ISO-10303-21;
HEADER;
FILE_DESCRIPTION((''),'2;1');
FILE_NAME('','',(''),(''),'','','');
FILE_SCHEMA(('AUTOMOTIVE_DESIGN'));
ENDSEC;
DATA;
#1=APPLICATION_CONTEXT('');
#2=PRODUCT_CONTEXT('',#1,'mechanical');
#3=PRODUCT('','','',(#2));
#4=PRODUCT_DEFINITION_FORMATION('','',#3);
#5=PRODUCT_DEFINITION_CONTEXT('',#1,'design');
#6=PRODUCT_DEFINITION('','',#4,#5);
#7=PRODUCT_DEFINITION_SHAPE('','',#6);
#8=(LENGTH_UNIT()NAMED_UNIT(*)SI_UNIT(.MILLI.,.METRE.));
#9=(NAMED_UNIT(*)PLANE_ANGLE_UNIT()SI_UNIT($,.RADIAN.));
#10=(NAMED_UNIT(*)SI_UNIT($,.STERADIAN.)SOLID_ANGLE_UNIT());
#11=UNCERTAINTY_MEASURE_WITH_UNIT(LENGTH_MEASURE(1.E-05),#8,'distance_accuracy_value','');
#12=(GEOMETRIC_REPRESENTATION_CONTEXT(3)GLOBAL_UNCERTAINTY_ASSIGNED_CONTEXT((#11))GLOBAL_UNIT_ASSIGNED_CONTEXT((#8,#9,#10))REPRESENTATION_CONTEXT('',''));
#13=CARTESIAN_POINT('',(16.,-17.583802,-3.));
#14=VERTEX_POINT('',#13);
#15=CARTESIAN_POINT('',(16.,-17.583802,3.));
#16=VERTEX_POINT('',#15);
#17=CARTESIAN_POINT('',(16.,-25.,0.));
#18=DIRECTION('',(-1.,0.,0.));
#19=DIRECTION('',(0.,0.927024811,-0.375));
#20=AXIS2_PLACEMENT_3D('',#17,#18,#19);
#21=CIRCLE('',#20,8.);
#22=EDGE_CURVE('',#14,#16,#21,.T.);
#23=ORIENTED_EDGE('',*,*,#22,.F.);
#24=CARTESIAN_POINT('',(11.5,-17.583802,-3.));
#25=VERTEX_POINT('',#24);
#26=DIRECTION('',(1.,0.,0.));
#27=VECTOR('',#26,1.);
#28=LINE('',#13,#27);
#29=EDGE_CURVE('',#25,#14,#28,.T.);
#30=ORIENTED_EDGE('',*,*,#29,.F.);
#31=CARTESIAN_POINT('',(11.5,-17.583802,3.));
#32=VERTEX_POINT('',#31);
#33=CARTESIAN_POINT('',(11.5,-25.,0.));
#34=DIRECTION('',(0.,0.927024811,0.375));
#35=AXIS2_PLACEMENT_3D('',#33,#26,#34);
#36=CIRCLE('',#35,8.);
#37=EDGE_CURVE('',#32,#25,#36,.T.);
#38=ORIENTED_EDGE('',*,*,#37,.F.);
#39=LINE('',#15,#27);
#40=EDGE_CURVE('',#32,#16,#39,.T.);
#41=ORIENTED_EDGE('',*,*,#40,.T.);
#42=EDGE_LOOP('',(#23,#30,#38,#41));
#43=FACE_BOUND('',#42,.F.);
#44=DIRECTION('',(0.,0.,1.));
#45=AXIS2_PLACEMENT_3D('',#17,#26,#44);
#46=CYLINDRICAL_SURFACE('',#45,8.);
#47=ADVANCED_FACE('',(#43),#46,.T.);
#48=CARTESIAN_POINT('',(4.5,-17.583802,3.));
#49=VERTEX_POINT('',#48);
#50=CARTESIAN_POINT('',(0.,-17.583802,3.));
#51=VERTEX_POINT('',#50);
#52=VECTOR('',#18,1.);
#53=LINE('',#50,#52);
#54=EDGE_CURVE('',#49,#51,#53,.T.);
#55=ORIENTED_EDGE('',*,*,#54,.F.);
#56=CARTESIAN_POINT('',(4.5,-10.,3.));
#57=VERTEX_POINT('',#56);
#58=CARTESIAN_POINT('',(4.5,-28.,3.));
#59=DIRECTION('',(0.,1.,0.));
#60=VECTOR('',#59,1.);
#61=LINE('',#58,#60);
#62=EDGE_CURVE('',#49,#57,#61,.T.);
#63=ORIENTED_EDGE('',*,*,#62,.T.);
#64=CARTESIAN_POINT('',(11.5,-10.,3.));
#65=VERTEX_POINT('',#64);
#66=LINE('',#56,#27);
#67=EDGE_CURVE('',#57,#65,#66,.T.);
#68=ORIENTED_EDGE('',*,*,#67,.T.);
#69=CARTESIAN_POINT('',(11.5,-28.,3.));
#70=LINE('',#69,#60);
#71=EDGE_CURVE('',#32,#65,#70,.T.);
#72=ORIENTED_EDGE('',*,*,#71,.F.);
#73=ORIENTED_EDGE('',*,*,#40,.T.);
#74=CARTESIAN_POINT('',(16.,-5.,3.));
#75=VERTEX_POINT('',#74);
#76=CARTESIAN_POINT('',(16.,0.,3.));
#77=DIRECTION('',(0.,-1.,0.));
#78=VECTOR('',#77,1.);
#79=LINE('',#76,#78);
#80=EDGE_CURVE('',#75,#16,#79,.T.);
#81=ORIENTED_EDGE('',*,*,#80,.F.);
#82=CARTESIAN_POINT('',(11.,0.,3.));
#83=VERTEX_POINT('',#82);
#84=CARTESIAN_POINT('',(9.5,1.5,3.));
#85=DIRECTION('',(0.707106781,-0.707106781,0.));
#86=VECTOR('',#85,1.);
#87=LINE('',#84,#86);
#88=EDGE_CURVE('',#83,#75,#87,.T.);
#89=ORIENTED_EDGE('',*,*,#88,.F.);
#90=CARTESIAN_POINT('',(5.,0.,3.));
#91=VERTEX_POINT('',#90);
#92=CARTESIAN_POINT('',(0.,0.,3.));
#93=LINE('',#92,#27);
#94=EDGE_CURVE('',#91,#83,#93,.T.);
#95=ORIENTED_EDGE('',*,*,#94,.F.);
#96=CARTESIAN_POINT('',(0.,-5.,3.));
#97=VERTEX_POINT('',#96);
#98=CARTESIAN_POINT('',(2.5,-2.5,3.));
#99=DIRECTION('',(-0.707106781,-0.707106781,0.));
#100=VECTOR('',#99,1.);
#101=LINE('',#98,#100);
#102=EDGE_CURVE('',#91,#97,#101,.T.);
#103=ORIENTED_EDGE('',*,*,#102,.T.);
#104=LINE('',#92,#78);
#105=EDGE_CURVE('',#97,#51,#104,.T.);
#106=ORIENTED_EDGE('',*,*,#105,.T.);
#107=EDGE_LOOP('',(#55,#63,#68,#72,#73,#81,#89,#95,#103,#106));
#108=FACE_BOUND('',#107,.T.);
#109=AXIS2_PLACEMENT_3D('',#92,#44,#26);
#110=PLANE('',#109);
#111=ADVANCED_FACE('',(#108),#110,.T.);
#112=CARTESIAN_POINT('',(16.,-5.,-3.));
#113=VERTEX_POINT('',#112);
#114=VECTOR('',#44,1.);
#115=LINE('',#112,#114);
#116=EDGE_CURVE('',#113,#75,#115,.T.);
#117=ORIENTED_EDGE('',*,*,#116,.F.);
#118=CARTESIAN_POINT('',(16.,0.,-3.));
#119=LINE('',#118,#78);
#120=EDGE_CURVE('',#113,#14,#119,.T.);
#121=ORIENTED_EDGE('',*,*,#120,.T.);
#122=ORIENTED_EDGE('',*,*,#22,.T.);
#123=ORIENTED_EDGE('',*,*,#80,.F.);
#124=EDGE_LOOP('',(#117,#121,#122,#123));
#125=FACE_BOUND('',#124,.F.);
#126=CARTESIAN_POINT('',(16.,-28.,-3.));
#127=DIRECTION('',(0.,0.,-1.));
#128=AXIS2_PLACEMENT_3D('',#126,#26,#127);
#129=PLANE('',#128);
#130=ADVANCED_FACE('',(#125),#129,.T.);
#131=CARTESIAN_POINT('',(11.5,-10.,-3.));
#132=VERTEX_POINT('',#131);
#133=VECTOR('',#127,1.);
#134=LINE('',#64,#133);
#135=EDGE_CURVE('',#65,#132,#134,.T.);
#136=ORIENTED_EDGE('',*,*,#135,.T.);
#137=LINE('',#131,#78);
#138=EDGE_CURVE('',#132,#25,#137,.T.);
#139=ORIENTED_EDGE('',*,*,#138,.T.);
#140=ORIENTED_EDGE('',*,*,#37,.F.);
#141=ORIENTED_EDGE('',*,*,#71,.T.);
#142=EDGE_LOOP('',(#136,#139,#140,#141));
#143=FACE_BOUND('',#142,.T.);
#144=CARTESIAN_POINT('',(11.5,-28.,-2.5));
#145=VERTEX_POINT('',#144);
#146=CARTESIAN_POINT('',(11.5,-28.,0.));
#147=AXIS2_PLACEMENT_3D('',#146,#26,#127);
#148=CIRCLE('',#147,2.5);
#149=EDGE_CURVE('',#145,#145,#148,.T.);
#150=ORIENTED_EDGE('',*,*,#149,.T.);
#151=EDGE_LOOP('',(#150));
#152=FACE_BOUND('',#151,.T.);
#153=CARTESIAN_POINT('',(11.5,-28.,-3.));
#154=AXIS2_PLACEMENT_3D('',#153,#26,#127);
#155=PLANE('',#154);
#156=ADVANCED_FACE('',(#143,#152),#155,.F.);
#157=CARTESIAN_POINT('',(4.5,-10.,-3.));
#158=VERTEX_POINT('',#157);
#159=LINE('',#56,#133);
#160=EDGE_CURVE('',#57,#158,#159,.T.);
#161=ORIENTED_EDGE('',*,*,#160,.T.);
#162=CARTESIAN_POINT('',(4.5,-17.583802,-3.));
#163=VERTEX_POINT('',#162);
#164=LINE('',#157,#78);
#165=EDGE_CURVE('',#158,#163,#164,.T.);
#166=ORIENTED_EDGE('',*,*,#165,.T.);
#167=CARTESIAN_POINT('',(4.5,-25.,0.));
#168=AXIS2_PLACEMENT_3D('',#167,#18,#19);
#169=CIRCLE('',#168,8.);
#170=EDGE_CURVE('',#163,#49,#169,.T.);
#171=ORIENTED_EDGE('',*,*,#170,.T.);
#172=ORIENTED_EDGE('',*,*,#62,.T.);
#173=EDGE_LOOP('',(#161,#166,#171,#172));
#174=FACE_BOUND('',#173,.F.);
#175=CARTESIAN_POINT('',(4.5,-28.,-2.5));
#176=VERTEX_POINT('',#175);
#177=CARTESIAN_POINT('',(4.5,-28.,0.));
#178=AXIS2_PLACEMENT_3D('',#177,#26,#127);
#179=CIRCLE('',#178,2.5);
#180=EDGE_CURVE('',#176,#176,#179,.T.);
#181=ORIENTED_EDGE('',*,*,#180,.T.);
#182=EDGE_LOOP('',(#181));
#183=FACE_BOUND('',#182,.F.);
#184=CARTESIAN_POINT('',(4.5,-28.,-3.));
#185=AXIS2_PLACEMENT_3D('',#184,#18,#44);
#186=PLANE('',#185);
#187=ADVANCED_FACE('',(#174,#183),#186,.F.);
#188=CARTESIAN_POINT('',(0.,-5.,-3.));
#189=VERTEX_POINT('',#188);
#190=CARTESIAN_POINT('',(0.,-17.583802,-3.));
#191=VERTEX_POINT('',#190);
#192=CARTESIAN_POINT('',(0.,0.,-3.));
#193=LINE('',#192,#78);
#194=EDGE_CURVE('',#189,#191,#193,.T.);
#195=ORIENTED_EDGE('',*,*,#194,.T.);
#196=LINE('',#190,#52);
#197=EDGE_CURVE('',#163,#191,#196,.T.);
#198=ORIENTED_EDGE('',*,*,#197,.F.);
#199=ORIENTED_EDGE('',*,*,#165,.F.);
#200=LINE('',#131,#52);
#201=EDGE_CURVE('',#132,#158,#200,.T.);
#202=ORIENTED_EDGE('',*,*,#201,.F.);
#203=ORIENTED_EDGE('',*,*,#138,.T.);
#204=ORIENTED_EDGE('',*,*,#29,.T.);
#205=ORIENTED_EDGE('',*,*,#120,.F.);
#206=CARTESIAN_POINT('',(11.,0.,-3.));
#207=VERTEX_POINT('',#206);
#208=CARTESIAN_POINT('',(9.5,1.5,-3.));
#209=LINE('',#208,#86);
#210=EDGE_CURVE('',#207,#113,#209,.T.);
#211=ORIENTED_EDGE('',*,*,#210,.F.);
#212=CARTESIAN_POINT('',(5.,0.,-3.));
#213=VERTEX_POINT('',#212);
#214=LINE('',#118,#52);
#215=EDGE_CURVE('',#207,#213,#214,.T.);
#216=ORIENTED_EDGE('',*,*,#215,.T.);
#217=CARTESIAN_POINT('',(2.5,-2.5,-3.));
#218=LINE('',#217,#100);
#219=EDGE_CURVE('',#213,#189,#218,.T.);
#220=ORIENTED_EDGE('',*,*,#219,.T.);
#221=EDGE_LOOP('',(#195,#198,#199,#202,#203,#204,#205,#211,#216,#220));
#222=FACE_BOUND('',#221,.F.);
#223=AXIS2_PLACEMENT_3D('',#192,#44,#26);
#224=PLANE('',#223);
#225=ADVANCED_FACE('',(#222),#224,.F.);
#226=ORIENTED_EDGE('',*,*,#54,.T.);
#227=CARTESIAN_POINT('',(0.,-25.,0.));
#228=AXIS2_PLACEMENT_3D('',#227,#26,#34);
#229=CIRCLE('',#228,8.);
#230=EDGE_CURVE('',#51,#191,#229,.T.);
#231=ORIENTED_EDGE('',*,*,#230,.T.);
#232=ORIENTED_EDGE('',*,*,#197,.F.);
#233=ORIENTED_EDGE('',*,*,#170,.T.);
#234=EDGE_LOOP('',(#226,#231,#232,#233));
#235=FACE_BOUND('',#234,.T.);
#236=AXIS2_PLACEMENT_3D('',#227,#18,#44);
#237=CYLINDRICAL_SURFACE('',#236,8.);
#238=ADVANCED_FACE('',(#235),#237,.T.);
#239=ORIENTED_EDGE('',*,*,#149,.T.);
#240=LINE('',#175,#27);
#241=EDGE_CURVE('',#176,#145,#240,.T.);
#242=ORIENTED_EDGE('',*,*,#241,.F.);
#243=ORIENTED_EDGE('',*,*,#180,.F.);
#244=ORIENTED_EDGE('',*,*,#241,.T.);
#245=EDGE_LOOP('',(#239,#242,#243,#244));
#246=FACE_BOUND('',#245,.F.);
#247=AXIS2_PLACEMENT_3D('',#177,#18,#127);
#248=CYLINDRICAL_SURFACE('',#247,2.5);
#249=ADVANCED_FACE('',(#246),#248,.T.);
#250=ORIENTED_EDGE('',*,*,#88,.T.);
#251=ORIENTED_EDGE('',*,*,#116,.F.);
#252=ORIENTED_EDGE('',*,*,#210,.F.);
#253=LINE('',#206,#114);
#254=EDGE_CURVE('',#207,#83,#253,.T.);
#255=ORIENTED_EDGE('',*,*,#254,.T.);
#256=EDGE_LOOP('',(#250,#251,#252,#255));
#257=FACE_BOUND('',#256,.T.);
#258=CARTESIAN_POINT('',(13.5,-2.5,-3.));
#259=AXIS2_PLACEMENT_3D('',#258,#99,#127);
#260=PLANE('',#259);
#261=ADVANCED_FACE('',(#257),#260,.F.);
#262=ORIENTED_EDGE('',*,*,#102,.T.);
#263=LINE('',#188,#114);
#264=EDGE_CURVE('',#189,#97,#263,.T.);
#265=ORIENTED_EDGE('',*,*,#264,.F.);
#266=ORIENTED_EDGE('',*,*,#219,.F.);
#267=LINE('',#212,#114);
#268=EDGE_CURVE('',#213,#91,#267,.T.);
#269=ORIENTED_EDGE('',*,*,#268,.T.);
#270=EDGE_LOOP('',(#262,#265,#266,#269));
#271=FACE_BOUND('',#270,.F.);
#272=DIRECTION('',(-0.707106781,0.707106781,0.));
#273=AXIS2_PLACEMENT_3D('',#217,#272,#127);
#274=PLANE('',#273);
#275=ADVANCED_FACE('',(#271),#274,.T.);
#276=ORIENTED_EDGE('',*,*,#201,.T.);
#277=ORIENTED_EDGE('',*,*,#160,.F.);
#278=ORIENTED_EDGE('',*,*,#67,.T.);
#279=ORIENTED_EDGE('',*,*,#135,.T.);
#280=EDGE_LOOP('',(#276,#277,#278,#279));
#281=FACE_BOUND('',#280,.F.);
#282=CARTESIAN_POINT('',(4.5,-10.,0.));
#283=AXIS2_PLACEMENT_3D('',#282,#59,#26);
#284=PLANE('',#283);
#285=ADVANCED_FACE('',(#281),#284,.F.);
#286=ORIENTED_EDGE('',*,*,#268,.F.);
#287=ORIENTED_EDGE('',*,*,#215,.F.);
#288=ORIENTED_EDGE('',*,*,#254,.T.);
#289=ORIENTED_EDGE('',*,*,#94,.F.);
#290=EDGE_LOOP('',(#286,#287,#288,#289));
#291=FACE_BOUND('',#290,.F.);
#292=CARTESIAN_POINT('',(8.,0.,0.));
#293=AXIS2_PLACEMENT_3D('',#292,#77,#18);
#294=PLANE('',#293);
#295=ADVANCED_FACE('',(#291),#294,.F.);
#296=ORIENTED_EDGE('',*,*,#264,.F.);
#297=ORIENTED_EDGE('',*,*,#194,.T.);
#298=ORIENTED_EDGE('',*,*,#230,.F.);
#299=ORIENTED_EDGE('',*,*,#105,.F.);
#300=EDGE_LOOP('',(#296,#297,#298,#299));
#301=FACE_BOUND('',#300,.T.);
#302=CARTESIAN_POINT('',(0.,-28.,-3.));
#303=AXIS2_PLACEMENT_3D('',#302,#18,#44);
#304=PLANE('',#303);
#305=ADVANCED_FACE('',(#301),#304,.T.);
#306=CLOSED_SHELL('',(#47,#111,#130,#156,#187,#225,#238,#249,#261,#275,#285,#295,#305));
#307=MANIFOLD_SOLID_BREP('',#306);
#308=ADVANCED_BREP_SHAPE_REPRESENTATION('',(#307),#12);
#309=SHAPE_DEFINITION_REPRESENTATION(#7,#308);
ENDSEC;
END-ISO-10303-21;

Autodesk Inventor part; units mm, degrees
ref_plane "YZ Plane" through (0, 0, 0) normal (1, 0, 0) x (0, 1, 0)
ref_plane "XZ Plane" through (0, 0, 0) normal (0, 1, 0) x (-1, 0, 0)
sketch "스케치1" plane through (0, 0, 0) normal (0, 0, 1) x (1, 0, 0)
  line L0 (0, 0) -> (0, -28)
  line L1 (0, -28) -> (4.5, -28)
  line L2 (4.5, -26.5) -> (4.5, -10)
  line L3 (4.5, -10) -> (8, -10)
  line L4 (8, -10) -> (8, 0)
  line L5 (8, 0) -> (0, 0)
  line L6 (4.5, -28) -> (4.5, -26.5)
  dimension "d0" = 28
  dimension "d1" = 10
  dimension "d6" = 8
extrude "돌출1" add sketch "스케치1" along normal mid plane 6
mirror "미러1" about plane through (8, -10, 0) normal (1, 0, 0) of "돌출1"
chamfer "모따기1" distance 5 angle 45 1 edges at (0, 0, 0)
chamfer "모따기2" distance 5 angle 45 1 edges at (16, 0, 0)
sketch "스케치2" plane through (0, -28, -3) normal (-1, 0, 0) x (0, 0, 1)
  circle A0 centre (3, 3) radius 8
  line L0 (0, 0) -> (6, 0) projected
  point P0 (3, 28)
  dimension "d15" = 16
  dimension "d16" = 3
extrude "돌출2" add sketch "스케치2" against normal blind 4.5
ref_plane "작업 평면1" through (8, -10, 3) normal (1, 0, 0) x (0, 0, -1)
mirror "미러2" about plane through (8, -10, 3) normal (1, 0, 0) of "돌출2"
sketch "스케치3" plane through (4.5, -10, 3) normal (1, 0, 0) x (0, 0, -1)
  circle A0 centre (3, -18) radius 2.5
  line L0 (6, 10) -> (6, 5) projected
  point P0 (3, 10)
  dimension "d19" = 5
  dimension "d20" = 28
  dimension "d21" = 3
extrude "돌출3" add sketch "스케치3" along normal blind 7
ref_plane "작업 평면2" through (8, -10, 3) normal (1, 0, 0) x (0, 0, -1)
properties part number "2번부품"
